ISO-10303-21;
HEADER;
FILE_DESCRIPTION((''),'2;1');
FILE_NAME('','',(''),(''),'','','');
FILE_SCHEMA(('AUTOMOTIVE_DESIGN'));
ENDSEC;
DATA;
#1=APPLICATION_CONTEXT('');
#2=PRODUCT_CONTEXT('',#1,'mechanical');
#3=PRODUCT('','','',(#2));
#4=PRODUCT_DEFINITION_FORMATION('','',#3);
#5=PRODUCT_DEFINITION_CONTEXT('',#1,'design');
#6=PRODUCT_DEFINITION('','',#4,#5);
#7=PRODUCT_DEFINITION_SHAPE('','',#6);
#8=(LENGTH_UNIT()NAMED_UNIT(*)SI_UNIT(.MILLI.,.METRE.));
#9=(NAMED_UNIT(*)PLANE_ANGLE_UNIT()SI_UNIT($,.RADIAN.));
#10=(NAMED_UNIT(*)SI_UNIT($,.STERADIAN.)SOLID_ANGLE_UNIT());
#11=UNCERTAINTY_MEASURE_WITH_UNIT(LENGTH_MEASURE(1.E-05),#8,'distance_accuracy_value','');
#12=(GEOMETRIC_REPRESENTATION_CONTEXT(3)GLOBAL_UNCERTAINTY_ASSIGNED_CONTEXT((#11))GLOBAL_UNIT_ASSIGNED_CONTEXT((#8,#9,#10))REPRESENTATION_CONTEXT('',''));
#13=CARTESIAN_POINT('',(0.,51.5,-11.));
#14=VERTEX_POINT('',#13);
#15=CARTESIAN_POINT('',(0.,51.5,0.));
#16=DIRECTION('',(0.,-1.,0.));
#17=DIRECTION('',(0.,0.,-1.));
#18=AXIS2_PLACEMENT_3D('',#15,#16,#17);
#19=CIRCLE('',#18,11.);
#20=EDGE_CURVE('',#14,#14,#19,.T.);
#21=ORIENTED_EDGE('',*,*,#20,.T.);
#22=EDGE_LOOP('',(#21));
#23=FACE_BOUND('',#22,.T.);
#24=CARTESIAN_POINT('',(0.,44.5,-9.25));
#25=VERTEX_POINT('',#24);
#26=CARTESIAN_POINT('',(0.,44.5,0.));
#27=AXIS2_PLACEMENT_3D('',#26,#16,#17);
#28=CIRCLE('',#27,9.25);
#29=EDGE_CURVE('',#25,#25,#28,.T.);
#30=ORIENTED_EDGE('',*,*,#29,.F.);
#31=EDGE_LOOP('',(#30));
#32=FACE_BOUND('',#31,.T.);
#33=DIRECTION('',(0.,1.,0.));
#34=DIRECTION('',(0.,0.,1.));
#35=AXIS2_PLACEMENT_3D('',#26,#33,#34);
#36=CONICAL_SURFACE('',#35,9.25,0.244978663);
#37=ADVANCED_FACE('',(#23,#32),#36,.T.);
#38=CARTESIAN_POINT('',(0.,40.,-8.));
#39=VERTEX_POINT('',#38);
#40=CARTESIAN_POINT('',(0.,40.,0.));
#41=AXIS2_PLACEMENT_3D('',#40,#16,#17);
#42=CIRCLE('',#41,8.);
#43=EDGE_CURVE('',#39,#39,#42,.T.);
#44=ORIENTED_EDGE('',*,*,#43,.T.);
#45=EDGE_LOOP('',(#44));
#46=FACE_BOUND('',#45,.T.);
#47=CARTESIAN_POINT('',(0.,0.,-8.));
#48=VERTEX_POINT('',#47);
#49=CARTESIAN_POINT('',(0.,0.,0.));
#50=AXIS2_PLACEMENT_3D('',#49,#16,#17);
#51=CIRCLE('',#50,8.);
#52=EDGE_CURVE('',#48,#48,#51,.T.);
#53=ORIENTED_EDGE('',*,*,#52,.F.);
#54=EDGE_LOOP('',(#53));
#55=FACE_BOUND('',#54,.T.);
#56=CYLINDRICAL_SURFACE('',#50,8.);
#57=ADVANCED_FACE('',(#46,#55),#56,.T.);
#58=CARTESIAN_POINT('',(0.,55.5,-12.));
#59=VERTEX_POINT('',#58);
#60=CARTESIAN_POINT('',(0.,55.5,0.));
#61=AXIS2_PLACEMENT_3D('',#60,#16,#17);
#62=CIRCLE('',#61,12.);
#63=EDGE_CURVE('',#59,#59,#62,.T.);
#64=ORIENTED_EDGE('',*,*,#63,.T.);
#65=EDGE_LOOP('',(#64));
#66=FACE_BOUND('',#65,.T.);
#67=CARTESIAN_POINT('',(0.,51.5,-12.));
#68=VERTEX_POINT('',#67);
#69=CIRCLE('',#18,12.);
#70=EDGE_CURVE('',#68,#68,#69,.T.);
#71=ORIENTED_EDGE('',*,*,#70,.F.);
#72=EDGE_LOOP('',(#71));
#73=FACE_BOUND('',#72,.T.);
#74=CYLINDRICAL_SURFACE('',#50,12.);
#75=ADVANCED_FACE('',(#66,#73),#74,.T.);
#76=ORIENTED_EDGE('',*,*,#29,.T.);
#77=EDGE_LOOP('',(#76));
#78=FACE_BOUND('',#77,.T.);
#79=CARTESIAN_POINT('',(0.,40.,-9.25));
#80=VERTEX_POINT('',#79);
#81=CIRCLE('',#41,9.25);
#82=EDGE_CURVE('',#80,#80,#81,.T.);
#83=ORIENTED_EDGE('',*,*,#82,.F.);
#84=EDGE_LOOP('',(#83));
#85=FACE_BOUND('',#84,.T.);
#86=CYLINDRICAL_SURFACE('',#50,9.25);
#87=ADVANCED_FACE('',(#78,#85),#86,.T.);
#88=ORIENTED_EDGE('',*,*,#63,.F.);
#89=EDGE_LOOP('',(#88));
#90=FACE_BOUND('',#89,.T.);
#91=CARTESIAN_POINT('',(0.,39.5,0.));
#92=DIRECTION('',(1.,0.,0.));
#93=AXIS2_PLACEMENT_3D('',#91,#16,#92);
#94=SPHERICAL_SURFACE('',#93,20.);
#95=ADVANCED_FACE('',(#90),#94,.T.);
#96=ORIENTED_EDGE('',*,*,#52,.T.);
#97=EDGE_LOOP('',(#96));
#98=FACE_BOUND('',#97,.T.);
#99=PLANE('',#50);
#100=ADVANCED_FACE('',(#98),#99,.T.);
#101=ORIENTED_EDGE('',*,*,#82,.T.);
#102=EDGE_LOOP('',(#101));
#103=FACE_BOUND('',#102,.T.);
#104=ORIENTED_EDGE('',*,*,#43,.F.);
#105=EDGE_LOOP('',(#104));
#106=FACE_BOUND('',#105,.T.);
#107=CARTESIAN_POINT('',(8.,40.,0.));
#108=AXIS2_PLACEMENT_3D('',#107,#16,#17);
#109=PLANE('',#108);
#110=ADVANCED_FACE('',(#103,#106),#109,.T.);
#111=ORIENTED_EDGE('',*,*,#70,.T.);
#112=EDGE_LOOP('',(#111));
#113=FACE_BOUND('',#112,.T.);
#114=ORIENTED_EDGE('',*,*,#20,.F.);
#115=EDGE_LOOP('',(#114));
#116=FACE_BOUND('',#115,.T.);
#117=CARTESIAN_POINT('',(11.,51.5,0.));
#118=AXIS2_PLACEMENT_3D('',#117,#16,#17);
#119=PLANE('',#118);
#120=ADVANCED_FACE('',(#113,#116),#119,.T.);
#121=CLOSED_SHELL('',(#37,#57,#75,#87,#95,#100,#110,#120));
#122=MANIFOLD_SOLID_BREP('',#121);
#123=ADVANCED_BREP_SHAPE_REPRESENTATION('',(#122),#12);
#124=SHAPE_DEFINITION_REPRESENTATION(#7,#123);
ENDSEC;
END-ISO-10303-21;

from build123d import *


with BuildPart() as part:
    # Esquisse1 → Révolution1 (revolve)
    with BuildSketch(Plane.XY):
        with BuildLine():
            Line((0, 0), (8, 0))
            Line((8, 0), (8, 40))
            Line((8, 40), (9.25, 40))
            Line((9.25, 40), (9.25, 44.5))
            Line((9.25, 44.5), (11, 51.5))
            Line((11, 51.5), (12, 51.5))
            Line((12, 51.5), (12, 55.5))
            ThreePointArc((12, 55.5), (6.32455532, 58.473665961), (0, 59.5))
            Line((0, 59.5), (0, 0))
        make_face()
    revolve(axis=Axis((0, 0, 0), (0, 1, 0)))


solid = part.part
